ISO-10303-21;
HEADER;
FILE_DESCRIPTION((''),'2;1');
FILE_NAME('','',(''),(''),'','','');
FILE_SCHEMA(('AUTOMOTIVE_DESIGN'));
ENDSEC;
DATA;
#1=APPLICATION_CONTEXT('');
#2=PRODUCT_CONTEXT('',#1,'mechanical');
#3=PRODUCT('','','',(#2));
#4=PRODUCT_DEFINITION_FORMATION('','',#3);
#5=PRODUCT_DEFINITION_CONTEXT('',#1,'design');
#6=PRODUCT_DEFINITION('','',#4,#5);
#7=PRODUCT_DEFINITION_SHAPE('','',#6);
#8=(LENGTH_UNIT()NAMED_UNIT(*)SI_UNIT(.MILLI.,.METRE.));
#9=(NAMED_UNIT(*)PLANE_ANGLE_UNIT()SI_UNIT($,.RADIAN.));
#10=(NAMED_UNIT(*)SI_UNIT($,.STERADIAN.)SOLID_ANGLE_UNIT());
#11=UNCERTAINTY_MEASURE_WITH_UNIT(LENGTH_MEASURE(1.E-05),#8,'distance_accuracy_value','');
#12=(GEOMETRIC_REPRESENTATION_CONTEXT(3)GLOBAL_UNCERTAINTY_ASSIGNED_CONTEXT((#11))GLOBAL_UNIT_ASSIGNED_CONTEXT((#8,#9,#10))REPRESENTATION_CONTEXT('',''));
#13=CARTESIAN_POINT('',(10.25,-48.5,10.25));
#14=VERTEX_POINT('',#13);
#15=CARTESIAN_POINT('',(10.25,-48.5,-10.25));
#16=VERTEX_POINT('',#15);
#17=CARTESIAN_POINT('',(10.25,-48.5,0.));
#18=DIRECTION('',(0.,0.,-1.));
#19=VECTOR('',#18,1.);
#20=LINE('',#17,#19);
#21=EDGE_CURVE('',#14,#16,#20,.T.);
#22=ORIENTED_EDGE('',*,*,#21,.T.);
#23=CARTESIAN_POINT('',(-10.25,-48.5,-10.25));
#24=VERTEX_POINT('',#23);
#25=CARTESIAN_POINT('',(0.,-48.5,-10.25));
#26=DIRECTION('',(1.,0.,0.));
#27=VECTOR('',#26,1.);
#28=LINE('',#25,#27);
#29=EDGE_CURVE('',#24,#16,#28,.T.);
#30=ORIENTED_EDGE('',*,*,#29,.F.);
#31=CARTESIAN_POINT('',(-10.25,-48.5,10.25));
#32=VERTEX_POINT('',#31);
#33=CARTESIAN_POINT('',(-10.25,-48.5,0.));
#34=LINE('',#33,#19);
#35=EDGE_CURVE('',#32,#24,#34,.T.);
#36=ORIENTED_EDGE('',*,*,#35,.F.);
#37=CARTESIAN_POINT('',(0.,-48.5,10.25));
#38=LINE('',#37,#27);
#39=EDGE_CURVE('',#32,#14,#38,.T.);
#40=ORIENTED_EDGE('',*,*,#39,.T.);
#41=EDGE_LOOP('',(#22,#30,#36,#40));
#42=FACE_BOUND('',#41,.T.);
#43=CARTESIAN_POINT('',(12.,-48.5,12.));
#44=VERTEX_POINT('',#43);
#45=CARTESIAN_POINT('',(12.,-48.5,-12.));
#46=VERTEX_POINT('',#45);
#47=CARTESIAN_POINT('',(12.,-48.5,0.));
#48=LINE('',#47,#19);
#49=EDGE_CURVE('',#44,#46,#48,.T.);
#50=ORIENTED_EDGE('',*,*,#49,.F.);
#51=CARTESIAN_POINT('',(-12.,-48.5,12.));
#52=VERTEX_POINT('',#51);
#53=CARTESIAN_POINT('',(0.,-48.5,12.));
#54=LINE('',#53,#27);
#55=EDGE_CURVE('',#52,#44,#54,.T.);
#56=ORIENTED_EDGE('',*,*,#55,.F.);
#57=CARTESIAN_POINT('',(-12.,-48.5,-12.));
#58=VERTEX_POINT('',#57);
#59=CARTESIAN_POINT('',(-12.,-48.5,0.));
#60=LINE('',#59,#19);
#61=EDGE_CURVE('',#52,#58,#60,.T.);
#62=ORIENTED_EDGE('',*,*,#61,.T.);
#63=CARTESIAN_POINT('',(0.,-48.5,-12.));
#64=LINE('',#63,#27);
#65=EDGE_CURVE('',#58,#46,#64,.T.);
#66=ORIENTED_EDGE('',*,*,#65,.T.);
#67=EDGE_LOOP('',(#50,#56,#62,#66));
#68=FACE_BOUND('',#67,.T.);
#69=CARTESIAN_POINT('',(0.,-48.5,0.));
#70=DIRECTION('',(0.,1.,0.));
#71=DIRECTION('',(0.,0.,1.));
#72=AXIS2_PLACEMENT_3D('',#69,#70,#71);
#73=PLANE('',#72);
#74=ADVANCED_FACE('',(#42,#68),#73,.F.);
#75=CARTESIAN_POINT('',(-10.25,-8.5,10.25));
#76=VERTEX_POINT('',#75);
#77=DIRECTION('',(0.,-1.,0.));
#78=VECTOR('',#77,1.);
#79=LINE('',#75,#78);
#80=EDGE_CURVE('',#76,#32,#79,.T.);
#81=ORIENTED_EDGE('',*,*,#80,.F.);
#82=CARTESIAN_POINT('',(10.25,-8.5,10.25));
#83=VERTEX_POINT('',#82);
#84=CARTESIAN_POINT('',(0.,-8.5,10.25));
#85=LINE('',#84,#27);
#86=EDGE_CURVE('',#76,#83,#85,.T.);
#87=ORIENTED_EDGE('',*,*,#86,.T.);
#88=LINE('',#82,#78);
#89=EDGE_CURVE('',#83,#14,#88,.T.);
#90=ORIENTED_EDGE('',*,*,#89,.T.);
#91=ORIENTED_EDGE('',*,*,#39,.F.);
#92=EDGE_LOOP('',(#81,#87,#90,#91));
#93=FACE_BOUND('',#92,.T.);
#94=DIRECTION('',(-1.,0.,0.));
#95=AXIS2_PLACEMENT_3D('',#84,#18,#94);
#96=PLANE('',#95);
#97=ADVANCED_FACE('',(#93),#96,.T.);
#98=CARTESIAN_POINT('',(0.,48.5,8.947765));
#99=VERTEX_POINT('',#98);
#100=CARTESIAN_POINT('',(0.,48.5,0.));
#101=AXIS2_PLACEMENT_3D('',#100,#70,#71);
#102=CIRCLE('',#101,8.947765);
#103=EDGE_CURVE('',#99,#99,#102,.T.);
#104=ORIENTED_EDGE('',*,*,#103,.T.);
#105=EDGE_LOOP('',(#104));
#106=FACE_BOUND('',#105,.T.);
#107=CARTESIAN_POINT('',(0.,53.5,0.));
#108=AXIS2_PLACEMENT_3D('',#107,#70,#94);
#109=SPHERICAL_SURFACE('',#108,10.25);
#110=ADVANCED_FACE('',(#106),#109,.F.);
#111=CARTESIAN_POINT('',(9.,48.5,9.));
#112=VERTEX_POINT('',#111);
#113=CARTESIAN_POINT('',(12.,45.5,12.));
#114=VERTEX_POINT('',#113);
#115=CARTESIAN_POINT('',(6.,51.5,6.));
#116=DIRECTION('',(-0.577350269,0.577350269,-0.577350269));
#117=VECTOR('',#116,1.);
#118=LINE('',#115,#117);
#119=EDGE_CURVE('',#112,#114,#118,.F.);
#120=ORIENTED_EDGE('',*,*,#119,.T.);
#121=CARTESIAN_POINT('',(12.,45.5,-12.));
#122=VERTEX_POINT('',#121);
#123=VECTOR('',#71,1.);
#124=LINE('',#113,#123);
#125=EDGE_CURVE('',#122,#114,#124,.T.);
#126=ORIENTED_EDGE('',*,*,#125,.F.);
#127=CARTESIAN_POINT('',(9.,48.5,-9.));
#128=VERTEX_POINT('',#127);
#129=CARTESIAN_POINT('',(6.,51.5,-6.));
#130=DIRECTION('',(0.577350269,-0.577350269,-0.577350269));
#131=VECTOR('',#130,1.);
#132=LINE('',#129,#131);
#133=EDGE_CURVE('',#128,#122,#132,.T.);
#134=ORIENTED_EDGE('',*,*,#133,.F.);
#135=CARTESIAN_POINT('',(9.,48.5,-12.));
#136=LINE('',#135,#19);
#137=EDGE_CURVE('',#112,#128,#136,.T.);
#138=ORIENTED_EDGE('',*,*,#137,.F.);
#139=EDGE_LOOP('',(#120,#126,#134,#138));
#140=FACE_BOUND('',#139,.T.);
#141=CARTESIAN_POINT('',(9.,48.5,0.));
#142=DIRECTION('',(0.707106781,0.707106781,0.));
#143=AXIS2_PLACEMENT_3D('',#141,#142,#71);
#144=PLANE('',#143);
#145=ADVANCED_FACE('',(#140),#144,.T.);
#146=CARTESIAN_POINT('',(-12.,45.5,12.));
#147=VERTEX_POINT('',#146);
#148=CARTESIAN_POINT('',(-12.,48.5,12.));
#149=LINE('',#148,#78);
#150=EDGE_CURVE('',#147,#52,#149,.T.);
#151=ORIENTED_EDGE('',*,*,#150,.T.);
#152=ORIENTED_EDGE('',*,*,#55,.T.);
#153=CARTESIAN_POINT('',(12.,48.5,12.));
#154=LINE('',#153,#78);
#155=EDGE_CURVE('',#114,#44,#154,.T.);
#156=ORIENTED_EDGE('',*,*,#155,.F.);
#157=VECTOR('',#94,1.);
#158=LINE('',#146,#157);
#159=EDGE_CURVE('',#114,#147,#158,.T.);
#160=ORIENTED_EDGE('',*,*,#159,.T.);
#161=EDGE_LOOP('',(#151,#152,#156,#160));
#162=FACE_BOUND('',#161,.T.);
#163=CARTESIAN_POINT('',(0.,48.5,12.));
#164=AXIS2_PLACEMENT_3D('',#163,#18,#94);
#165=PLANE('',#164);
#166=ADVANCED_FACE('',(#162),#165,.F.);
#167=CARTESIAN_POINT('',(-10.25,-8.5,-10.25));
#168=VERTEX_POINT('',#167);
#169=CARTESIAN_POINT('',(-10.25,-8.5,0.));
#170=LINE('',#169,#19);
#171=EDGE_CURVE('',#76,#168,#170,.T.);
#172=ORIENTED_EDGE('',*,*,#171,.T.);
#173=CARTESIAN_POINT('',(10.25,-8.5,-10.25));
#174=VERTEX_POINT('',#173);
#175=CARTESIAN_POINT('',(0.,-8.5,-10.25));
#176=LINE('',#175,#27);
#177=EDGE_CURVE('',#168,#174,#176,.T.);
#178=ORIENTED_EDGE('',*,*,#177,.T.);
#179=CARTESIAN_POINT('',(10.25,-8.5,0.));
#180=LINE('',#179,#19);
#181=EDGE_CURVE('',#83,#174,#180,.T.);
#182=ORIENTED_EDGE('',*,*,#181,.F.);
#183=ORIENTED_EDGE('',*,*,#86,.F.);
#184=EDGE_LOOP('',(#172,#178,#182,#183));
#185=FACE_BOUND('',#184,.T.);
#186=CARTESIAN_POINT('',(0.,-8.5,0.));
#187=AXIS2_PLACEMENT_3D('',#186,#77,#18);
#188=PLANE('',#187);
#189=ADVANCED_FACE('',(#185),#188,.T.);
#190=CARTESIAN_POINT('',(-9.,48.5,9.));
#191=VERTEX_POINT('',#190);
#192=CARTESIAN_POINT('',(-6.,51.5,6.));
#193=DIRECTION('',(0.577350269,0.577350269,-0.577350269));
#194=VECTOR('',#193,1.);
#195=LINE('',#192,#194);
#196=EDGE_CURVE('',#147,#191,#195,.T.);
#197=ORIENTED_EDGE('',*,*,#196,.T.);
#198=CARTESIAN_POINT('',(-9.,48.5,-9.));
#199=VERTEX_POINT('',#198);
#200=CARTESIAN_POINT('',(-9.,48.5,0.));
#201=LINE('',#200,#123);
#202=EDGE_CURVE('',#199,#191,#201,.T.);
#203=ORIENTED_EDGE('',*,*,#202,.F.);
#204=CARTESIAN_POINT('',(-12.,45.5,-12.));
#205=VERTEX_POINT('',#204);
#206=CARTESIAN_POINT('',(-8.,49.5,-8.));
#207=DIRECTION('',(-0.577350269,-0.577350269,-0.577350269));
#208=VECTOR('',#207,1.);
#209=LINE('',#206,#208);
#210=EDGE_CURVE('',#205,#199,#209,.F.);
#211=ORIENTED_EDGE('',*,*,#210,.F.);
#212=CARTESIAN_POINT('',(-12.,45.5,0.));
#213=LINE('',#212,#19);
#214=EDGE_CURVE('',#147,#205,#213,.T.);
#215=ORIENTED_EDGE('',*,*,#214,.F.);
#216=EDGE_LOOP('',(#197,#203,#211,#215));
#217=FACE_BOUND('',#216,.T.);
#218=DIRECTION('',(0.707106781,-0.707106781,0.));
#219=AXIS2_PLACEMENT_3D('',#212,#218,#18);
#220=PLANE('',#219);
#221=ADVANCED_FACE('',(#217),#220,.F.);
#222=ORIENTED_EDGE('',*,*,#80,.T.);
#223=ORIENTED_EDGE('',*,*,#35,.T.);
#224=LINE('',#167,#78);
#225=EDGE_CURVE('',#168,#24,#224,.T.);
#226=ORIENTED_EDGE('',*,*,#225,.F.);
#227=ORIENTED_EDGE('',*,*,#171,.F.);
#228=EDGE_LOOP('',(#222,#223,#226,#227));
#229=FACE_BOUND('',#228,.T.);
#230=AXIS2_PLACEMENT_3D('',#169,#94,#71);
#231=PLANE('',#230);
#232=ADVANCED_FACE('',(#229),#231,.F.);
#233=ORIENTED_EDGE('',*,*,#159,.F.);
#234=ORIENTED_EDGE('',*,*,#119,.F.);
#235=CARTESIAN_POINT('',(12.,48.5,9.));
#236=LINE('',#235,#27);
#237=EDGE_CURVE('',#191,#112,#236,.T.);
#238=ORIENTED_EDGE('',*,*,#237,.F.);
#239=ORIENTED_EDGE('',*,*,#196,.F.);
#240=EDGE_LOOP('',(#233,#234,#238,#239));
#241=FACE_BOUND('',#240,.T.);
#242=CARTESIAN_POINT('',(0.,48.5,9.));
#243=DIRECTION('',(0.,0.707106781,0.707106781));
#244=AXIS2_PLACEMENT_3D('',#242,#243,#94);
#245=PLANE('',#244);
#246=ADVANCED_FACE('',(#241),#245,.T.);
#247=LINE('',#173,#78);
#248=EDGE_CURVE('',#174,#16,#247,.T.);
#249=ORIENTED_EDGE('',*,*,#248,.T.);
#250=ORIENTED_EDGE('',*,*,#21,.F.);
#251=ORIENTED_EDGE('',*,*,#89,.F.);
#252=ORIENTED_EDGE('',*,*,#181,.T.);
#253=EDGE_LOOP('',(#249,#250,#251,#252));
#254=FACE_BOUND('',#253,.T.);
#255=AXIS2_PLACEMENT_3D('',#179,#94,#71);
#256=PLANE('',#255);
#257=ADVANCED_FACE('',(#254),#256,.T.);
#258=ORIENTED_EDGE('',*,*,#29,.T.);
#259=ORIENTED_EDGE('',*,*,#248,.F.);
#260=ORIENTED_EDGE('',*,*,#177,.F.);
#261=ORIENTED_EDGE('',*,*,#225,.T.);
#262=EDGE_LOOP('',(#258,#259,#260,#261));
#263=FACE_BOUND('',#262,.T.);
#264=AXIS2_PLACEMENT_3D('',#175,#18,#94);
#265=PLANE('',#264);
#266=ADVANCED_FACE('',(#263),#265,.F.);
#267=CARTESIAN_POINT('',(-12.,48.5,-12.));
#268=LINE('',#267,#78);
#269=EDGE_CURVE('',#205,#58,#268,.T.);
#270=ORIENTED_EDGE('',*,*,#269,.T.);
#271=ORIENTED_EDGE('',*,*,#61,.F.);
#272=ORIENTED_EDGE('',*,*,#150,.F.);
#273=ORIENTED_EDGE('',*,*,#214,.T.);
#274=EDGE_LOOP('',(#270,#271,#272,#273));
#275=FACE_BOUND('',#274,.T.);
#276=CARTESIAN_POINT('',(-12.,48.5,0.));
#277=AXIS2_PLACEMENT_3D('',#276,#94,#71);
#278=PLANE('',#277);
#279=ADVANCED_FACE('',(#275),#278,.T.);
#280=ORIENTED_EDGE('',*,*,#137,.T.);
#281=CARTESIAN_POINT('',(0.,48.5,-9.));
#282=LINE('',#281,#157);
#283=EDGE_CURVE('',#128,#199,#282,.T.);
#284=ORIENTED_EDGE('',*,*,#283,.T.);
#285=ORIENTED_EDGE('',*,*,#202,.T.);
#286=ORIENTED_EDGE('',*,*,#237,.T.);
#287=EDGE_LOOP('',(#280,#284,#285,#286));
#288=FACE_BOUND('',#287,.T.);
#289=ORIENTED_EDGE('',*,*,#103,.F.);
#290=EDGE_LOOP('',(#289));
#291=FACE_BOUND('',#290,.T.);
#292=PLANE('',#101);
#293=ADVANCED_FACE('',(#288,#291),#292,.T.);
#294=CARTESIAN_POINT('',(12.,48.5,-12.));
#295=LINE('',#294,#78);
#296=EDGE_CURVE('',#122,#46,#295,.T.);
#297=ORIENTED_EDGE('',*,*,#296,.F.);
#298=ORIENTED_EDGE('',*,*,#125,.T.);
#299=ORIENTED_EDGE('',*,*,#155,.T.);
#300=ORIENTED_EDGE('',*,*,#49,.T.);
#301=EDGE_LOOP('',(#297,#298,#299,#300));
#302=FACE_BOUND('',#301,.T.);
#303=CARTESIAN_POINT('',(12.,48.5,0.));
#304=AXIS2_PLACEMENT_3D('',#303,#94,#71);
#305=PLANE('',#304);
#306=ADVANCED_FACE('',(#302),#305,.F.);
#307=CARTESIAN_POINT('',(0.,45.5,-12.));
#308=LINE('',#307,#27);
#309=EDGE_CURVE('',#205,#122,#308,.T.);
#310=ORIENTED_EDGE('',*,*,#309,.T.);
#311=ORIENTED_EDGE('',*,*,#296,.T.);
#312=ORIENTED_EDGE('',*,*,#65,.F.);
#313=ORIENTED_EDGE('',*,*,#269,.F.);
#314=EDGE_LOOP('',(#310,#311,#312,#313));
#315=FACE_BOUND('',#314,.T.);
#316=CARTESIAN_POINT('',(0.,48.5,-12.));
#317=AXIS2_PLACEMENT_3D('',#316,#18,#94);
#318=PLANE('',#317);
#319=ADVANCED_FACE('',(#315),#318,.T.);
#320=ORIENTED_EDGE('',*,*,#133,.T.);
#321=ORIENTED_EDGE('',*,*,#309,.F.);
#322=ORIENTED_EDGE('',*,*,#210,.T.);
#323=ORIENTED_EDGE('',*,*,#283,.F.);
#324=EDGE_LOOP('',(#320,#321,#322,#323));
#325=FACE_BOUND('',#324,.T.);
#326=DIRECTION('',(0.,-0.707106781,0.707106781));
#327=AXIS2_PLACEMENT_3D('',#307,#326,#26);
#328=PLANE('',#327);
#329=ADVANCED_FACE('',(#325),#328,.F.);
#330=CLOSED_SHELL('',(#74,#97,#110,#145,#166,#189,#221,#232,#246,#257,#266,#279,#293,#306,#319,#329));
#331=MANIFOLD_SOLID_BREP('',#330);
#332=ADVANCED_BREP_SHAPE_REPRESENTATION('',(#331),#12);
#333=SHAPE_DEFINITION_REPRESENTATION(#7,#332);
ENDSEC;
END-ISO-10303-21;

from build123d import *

# Parameters (mm, degrees)
SKETCH1_W           = 24
SKETCH1_H           = 24
SKETCH1_W_2         = 20.5
SKETCH1_H_2         = 20.5
BOSS_EXTRUDE1_DEPTH = 48.5
CUT_EXTRUDE1_START  = -48.5
SKETCH1_4_W         = 20.5
SKETCH1_4_H         = 20.5
CUT_EXTRUDE1_DEPTH  = 40
CHAMFER2_SIZE       = 3


with BuildPart() as part:
    # Sketch1 → Boss-Extrude1 (new, symmetric)
    # profile 1 of 2: a face of its own
    with BuildSketch(Plane(origin=(0, 0, 0), x_dir=(1, 0, 0), z_dir=(0, 1, 0))):
        Rectangle(SKETCH1_W, SKETCH1_H)
        Rectangle(SKETCH1_W_2, SKETCH1_H_2, mode=Mode.SUBTRACT)
    # profile 2 of 2: a face of its own
    with BuildSketch(Plane(origin=(0, 0, 0), x_dir=(1, 0, 0), z_dir=(0, 1, 0))):
        Rectangle(SKETCH1_W_2, SKETCH1_H_2)
    extrude(amount=BOSS_EXTRUDE1_DEPTH, both=True)

    # Sketch1<4> → Cut-Extrude1 (cut)
    with BuildSketch(Plane(origin=(0, 0, 0), x_dir=(1, 0, 0), z_dir=(0, 1, 0)).offset(CUT_EXTRUDE1_START)):
        Rectangle(SKETCH1_4_W, SKETCH1_4_H)
    extrude(amount=CUT_EXTRUDE1_DEPTH, mode=Mode.SUBTRACT)

    # Sketch3 → Cut-Revolve1 (revolve, cut)
    with BuildSketch(Plane.XY):
        with BuildLine():
            Line((-8.947765084, 48.5), (0, 48.5))
            Line((0, 48.5), (0, 43.25))
            ThreePointArc((0, 43.25), (-5.18712348, 44.659397645), (-8.947765084, 48.5))
        make_face()
    revolve(axis=Axis((0, 64.835592649, 0), (0, -1, 0)), mode=Mode.SUBTRACT)

    # Chamfer2
    chamfer2_edges = [part.edges().sort_by_distance(p)[0] for p in [
        (12, 48.5, 0),
        (0, 48.5, -12),
        (-12, 48.5, 0),
        (0, 48.5, 12),
    ]]
    chamfer(chamfer2_edges, length=CHAMFER2_SIZE)


solid = part.part
